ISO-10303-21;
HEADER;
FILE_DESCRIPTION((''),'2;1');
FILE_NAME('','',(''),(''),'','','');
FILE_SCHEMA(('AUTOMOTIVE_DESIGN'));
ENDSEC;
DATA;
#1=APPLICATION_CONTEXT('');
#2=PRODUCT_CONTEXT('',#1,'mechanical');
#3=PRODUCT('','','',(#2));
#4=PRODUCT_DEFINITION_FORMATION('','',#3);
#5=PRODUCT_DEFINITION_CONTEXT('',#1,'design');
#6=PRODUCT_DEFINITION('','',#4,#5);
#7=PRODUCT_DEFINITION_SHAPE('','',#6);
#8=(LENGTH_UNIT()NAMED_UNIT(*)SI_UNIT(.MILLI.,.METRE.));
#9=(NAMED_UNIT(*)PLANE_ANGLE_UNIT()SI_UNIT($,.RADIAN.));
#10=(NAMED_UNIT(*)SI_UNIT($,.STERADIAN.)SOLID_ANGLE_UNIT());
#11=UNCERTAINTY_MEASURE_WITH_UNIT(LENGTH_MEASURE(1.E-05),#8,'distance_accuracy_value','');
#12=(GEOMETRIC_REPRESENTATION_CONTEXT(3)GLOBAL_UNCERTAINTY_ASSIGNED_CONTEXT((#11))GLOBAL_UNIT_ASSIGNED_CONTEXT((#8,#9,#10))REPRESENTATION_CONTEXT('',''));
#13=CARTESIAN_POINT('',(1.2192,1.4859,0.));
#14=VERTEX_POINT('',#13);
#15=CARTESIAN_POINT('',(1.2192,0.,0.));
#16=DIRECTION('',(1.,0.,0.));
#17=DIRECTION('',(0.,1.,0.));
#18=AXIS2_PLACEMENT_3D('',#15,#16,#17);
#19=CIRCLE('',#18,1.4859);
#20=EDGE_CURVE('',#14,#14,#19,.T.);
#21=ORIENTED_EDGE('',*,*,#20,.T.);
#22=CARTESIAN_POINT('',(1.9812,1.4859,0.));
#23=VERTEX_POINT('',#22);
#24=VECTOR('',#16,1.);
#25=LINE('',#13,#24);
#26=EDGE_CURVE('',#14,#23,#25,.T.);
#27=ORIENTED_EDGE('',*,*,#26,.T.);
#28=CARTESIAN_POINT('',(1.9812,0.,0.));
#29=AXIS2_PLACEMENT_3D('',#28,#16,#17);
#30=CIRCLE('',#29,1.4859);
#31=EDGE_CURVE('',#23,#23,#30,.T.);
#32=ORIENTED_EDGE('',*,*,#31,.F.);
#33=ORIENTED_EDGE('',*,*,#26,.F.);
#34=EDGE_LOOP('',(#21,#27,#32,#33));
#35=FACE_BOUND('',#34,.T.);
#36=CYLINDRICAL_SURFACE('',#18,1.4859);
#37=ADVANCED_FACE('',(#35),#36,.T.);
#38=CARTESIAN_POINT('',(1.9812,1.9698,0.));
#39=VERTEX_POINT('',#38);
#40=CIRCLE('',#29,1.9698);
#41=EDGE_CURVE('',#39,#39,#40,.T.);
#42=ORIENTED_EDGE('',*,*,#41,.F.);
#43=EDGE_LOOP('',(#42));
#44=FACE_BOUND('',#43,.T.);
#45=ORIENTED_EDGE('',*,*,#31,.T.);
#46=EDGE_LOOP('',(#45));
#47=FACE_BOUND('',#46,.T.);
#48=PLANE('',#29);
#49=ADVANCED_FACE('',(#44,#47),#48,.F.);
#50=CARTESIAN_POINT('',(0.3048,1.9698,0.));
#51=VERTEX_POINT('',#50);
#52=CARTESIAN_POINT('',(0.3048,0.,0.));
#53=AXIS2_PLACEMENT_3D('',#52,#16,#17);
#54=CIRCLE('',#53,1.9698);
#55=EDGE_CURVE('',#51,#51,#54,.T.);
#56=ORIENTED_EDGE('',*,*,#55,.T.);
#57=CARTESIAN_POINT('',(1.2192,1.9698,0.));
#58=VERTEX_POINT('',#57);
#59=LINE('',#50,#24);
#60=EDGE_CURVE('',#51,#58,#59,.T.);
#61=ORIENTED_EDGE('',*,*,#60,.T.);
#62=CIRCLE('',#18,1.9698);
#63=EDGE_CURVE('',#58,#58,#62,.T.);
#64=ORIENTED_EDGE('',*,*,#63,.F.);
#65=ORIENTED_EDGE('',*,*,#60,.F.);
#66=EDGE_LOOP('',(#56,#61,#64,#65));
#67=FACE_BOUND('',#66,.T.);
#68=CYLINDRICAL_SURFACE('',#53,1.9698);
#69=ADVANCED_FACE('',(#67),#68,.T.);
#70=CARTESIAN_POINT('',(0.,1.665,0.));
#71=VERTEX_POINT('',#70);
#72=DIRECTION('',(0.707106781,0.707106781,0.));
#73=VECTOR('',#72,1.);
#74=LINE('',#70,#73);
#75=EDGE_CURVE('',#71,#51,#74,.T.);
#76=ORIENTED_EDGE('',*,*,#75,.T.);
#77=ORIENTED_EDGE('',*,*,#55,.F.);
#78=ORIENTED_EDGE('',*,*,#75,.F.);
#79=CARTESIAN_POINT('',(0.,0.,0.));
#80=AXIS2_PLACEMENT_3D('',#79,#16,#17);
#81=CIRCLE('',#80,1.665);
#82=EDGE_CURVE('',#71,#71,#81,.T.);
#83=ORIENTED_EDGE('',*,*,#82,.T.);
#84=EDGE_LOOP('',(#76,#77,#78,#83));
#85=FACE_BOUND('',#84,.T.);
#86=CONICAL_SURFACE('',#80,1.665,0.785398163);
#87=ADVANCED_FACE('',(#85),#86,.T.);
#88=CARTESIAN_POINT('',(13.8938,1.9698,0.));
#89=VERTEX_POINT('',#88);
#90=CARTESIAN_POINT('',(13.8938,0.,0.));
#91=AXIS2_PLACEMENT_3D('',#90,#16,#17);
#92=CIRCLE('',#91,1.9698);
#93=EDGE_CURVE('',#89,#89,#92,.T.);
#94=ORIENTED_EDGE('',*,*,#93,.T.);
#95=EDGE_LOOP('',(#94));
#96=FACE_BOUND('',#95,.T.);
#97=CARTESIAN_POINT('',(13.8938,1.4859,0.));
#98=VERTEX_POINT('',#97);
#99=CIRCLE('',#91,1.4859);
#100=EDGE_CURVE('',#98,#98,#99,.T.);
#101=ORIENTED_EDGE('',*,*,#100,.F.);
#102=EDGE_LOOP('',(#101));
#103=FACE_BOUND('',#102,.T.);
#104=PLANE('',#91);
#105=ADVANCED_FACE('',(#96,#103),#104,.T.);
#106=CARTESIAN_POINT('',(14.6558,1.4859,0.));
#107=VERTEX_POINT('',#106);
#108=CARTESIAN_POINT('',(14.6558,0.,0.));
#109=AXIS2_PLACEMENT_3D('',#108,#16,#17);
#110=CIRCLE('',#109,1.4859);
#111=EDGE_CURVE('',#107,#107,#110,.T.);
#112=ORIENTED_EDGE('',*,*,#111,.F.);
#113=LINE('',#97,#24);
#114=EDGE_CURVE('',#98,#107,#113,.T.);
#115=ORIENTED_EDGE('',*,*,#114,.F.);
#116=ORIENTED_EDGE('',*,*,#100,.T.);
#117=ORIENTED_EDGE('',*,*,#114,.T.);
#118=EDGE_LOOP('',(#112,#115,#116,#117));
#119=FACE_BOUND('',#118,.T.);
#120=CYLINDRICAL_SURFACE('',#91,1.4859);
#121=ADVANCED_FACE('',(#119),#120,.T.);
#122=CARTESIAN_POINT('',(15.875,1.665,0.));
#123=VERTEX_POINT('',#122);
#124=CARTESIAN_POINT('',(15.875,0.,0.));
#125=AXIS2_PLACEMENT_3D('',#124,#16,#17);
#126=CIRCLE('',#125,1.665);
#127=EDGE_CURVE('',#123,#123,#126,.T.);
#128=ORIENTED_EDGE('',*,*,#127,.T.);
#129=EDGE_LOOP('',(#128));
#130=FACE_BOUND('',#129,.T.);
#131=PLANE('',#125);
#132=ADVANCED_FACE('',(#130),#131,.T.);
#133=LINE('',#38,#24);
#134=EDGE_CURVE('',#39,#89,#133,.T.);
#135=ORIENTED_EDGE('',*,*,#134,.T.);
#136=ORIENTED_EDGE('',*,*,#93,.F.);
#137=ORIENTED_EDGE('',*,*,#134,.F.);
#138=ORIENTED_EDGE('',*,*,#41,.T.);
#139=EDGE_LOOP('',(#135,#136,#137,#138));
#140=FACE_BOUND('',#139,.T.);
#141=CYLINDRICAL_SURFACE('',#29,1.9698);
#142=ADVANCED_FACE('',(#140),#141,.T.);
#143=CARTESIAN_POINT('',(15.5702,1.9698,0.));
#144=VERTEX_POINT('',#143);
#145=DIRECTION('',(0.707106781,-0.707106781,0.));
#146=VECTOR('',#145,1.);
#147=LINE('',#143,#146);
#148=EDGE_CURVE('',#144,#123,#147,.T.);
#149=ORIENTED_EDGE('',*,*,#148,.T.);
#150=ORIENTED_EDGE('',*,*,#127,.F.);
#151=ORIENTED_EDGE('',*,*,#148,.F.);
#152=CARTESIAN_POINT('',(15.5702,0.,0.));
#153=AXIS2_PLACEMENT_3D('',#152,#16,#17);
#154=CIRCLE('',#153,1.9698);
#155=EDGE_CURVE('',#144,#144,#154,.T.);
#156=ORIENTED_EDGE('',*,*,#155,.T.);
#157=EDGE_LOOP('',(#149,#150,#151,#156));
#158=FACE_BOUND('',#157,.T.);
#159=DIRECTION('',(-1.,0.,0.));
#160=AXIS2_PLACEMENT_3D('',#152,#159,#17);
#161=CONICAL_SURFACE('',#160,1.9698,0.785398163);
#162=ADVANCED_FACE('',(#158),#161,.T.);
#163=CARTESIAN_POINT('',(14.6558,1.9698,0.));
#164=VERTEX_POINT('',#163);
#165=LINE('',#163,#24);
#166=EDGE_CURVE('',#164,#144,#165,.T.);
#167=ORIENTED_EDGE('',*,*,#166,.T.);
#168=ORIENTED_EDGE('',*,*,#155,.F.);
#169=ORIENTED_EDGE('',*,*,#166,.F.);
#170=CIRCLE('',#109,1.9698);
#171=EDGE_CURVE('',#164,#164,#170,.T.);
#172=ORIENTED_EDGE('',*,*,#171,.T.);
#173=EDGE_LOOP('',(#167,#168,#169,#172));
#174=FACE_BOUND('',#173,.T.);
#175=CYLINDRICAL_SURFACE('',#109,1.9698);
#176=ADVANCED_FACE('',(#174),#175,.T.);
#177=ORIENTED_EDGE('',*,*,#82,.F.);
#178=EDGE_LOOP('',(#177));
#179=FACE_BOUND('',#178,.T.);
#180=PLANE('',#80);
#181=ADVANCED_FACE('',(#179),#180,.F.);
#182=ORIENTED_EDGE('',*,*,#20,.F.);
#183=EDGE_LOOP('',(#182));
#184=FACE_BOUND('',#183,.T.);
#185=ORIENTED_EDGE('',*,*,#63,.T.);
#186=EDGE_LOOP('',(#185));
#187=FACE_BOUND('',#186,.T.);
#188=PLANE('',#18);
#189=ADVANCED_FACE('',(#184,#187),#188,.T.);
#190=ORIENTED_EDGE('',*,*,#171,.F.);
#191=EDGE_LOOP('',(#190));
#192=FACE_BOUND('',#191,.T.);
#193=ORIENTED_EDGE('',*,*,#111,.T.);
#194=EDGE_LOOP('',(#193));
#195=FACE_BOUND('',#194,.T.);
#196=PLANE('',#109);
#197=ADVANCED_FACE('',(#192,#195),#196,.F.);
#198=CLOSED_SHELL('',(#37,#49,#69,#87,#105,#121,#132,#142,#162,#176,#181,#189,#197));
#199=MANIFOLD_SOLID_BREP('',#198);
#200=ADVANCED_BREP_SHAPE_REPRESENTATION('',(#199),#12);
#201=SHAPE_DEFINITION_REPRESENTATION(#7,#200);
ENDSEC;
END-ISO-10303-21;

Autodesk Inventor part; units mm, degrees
sketch "Sketch_1" plane through (0, 0, 0) normal (0, 0, 1) x (1, 0, 0)
  line L0 (15.875, 0) -> (0, 0)
  line L1 (0, 0) -> (0, 1.665)
  line L2 (0, 1.665) -> (0.3048, 1.9698)
  line L3 (0.3048, 1.9698) -> (1.2192, 1.9698)
  line L4 (1.2192, 1.9698) -> (1.2192, 1.4859)
  line L5 (1.2192, 1.4859) -> (1.9812, 1.4859)
  line L6 (1.9812, 1.4859) -> (1.9812, 1.9698)
  line L7 (1.9812, 1.9698) -> (13.8938, 1.9698)
  line L8 (13.8938, 1.9698) -> (13.8938, 1.4859)
  line L9 (13.8938, 1.4859) -> (14.6558, 1.4859)
  line L10 (14.6558, 1.4859) -> (14.6558, 1.9698)
  line L11 (14.6558, 1.9698) -> (15.5702, 1.9698)
  line L12 (15.5702, 1.9698) -> (15.875, 1.665)
  line L13 (15.875, 1.665) -> (15.875, 0)
  line L14 (15.875, 0) -> (0, 0)
revolve "Revolution1" add sketch "Sketch_1" angle 360 about axis through (15.875, 0, 0) along (1, 0, 0)
ref_plane "pin_XY" through (7.9375, 0, 0) normal (1, 0, 0) x (0, 0, -1)
ref_plane "pin_YZ" through (7.9375, 0, 0) normal (0, 0, -1) x (0, 1, 0)
ref_plane "pin_ZX" through (7.9375, 0, 0) normal (0, 1, 0) x (1, 0, 0)
ref_plane "rr1_XY" through (1.6002, 0, 0) normal (1, 0, 0) x (0, 0, -1)
ref_plane "rr1_YZ" through (1.6002, 0, 0) normal (0, 0, -1) x (0, 1, 0)
ref_plane "rr1_ZX" through (1.6002, 0, 0) normal (0, 1, 0) x (1, 0, 0)
ref_plane "rr2_XY" through (14.2748, 0, 0) normal (1, 0, 0) x (0, 0, -1)
ref_plane "rr2_YZ" through (14.2748, 0, 0) normal (0, 0, -1) x (0, 1, 0)
ref_plane "rr2_ZX" through (14.2748, 0, 0) normal (0, 1, 0) x (1, 0, 0)
properties part number "D-9769-clevis_pin" material "Steel"
